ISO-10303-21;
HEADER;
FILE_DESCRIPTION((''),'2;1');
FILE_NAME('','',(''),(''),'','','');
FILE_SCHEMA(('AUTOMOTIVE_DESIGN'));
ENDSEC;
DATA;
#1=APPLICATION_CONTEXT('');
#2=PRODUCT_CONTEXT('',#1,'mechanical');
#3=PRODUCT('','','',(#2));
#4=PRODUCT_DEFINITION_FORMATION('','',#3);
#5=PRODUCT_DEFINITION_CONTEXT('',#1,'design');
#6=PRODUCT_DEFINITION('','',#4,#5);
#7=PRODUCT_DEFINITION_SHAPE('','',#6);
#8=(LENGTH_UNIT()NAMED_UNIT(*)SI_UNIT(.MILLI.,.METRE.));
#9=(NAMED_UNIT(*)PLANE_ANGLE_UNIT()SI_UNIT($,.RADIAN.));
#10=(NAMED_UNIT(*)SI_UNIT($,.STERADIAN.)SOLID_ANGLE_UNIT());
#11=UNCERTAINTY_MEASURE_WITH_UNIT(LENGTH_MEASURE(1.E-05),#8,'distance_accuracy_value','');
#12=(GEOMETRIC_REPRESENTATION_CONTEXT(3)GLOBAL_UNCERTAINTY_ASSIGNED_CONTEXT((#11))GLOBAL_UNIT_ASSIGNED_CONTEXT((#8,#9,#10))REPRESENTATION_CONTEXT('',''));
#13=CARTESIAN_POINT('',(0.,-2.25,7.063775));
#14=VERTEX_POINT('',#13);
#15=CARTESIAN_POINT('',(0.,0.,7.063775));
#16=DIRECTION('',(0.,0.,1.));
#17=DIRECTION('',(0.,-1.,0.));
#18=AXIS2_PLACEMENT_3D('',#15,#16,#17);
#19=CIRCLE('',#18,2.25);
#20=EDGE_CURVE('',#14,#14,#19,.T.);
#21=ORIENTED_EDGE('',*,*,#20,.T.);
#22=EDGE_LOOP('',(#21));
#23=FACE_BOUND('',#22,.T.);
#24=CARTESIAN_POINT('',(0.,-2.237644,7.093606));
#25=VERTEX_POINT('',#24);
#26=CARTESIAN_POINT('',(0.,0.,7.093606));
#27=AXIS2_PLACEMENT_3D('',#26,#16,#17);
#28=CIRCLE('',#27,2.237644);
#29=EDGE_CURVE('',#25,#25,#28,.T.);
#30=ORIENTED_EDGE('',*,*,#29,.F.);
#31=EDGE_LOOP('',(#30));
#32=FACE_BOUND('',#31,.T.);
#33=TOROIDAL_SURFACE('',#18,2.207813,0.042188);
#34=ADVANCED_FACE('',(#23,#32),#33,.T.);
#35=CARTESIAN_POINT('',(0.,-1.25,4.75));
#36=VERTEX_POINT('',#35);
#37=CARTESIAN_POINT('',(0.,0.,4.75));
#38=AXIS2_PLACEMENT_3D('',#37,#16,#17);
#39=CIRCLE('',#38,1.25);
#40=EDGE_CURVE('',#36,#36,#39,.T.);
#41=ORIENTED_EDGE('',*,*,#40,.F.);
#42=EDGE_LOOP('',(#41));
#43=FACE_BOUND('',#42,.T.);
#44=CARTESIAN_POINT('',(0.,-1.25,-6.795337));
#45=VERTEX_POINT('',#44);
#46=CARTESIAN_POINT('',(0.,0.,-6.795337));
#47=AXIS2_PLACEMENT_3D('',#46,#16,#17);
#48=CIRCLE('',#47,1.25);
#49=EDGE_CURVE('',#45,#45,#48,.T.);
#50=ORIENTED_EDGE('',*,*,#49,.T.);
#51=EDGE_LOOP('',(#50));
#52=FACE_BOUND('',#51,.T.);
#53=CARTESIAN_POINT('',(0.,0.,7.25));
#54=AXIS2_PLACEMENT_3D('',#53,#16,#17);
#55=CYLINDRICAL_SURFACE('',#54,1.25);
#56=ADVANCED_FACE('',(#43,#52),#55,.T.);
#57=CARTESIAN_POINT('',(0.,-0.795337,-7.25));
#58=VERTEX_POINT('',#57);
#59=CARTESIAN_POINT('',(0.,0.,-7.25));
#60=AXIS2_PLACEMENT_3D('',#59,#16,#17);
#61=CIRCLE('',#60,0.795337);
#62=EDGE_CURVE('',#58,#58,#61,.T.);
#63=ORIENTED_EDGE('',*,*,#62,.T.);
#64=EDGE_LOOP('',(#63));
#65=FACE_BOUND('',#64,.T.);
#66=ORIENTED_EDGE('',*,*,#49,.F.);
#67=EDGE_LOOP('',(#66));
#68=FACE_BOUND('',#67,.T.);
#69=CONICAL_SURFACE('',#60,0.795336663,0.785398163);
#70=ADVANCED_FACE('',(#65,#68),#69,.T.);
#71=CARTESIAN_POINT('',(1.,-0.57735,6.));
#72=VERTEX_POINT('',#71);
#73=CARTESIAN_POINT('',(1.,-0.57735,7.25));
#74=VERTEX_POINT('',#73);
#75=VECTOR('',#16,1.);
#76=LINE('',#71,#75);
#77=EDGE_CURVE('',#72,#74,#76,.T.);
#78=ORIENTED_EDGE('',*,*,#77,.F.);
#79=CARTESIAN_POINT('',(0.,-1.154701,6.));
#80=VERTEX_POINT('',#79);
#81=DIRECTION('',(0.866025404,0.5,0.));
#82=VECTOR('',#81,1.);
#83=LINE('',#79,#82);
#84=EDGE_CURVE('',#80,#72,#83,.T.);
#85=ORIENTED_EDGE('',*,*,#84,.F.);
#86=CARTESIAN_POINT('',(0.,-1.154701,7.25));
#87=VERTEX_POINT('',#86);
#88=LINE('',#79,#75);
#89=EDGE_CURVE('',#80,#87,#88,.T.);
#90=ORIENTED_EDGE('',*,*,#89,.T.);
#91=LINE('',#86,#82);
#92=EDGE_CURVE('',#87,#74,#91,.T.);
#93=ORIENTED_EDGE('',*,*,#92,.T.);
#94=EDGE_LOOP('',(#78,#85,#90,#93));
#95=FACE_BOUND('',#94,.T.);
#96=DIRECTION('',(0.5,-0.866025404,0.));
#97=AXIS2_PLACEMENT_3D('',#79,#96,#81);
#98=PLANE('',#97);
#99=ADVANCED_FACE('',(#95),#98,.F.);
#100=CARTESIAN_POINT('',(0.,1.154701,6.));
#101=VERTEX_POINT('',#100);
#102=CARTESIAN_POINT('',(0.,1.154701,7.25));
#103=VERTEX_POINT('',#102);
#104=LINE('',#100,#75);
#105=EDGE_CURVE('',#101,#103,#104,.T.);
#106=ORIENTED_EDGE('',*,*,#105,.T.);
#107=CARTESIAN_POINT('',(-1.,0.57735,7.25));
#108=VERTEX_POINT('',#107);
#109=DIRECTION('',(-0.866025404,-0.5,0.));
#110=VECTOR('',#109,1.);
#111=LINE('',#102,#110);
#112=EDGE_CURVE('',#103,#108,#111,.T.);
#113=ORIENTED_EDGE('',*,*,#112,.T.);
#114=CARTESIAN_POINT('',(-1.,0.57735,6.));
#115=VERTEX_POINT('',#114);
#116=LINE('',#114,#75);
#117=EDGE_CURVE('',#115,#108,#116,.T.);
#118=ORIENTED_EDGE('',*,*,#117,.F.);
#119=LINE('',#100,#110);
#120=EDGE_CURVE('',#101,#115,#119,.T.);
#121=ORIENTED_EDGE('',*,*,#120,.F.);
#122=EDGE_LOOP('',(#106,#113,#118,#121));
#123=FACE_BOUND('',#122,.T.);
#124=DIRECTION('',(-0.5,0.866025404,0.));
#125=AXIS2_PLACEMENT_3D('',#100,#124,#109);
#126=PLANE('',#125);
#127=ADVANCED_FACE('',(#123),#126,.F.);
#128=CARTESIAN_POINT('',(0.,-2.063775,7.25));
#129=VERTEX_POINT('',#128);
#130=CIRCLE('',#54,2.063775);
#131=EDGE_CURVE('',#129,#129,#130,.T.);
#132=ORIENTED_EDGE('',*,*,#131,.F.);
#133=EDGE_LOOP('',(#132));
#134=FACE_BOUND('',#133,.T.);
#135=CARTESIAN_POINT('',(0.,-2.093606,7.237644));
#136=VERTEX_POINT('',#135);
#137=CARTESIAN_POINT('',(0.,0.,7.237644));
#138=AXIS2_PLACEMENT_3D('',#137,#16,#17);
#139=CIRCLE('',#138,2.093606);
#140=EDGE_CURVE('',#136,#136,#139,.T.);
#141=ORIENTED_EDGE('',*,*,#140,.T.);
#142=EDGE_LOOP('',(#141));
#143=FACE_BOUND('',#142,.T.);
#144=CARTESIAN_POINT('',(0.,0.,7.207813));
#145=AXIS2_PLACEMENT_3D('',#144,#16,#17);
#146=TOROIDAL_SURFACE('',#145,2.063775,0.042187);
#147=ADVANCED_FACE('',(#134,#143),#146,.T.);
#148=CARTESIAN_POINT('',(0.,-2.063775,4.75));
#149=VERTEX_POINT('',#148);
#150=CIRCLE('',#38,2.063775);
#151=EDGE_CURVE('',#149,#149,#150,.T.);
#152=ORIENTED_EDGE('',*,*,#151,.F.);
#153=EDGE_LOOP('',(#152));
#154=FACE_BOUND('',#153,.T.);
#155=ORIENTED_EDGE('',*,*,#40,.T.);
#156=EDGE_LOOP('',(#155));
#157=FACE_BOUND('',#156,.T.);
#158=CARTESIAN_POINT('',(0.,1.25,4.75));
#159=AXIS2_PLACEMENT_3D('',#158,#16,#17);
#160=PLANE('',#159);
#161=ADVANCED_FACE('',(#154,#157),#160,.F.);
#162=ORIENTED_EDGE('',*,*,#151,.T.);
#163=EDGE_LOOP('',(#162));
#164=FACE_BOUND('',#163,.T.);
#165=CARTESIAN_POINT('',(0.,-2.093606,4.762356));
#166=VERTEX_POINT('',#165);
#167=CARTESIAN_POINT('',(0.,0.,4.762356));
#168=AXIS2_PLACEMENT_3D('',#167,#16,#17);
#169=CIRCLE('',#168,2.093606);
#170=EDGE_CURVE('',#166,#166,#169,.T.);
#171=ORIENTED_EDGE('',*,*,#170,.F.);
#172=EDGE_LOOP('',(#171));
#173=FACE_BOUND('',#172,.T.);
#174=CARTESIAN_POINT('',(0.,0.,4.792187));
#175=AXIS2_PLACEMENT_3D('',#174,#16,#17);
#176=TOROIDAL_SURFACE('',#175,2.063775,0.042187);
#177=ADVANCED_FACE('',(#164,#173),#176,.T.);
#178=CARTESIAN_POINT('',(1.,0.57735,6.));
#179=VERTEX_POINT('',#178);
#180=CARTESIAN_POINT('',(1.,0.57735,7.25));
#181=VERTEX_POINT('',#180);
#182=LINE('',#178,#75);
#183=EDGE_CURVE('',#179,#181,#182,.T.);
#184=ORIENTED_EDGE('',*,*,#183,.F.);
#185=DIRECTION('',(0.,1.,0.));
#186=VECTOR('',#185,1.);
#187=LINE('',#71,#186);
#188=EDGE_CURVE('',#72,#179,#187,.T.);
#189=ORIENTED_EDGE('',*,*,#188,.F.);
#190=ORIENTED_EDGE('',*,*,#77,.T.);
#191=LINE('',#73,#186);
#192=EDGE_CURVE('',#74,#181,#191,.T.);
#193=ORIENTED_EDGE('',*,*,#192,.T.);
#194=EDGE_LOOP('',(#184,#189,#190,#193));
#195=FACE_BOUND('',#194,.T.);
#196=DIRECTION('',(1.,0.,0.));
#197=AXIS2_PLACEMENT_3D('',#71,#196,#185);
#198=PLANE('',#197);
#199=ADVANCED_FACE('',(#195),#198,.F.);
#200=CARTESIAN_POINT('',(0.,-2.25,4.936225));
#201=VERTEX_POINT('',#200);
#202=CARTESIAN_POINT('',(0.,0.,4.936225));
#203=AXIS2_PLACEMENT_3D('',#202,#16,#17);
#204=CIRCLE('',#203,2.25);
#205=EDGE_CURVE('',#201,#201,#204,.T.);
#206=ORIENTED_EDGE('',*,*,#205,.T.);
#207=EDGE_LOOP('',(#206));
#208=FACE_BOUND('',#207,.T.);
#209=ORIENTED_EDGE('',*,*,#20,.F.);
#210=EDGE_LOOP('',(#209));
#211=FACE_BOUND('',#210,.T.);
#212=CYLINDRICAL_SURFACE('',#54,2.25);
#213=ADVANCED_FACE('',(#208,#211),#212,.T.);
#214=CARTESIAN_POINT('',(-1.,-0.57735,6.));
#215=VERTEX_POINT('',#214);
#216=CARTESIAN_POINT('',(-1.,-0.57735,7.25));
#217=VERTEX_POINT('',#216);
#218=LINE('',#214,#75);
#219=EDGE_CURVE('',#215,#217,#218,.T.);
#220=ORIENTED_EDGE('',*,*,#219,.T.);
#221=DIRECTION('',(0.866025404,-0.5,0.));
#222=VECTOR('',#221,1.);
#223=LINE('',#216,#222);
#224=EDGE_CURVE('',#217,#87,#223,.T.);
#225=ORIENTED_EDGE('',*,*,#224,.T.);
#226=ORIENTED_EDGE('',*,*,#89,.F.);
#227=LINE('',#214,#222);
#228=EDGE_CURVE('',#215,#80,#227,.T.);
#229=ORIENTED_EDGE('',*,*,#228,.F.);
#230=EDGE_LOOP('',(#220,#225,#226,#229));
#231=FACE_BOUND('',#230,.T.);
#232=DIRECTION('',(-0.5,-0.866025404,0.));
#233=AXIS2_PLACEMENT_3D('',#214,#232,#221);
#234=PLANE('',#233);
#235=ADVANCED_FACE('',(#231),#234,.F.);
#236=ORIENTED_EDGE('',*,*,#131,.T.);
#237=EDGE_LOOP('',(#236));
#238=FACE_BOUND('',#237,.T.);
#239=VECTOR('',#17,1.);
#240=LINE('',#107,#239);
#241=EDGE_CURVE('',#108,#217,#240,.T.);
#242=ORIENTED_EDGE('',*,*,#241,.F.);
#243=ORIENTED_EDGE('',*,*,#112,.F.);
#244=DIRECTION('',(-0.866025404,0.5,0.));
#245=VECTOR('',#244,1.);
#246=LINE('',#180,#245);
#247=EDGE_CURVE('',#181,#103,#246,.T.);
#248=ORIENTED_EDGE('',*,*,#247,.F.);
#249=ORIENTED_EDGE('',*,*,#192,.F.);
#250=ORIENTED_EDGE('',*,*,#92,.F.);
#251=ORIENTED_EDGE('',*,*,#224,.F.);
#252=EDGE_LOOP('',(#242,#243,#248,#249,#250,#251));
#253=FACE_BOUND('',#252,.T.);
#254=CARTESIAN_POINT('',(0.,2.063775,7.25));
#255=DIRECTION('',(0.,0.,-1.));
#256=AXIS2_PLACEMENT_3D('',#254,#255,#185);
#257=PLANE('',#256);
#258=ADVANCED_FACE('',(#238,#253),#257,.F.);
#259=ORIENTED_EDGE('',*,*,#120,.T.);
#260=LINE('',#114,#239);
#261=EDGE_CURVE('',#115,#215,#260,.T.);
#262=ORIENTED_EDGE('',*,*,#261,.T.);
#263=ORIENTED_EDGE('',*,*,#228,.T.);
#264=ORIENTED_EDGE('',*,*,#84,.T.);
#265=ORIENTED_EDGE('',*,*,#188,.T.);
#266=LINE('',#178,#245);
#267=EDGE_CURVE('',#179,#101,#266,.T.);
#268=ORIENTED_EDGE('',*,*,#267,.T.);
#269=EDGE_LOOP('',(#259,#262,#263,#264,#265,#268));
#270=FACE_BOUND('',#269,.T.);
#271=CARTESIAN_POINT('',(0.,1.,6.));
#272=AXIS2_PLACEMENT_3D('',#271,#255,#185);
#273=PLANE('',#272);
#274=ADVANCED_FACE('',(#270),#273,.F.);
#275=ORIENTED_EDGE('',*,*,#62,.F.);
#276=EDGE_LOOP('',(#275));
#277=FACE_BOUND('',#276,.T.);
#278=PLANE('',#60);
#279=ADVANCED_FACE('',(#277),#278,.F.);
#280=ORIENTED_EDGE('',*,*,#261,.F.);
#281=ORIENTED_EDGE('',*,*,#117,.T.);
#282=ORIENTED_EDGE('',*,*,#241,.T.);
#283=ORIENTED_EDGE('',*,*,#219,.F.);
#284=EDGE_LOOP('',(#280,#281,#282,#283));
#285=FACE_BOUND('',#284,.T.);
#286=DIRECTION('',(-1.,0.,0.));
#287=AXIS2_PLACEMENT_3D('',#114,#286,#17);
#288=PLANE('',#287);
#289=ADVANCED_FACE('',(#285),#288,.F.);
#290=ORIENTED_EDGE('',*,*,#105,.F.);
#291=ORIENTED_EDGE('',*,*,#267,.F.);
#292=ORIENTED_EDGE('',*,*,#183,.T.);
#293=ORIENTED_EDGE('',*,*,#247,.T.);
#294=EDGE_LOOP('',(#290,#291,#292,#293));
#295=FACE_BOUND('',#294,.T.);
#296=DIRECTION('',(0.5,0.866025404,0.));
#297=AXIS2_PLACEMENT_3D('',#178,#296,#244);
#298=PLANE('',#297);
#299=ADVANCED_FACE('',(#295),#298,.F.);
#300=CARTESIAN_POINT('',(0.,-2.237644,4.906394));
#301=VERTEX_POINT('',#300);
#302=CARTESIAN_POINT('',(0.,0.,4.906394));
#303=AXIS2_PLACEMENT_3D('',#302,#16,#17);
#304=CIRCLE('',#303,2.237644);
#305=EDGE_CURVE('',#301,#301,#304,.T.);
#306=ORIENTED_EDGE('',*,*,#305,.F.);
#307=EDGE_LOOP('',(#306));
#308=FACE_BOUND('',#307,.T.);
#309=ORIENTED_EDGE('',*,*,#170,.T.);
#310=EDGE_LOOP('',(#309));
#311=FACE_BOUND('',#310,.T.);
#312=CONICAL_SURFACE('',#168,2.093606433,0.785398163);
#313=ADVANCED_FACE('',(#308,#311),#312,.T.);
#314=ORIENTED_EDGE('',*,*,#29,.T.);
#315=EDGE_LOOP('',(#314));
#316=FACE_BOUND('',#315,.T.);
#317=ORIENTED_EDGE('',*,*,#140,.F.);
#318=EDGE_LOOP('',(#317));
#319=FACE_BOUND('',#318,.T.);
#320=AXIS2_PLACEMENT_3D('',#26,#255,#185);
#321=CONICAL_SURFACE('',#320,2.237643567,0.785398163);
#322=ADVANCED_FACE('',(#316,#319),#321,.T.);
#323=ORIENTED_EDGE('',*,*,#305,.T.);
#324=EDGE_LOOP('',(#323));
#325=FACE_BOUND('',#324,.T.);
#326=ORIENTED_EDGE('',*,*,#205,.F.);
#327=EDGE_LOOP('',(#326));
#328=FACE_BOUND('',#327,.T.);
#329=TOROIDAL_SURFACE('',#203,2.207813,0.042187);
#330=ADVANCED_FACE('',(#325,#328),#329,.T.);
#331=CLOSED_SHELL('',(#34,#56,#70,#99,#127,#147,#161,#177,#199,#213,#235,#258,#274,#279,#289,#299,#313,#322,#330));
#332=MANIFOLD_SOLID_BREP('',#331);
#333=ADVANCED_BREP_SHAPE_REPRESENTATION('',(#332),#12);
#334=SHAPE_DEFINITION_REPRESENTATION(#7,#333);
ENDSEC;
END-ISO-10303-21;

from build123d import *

# Parameters (mm, degrees)
CUT_EXTRUDE1_DEPTH = 1.25


with BuildPart() as part:
    # Sketch3 → Revolve1 (revolve)
    with BuildSketch(Plane(origin=(0, 0, 0), x_dir=(0, 0, -1), z_dir=(1, 0, 0)), mode=Mode.PRIVATE) as revolve1_sk:
        with BuildLine():
            Line((-7.25, 2.063775365), (-7.25, 1))
            Line((-7.25, 1), (-6, 1))
            Line((-6, 1), (-6, 0))
            Line((-6, 0), (7.25, 0))
            Line((7.25, 0), (7.25, 0.795336663))
            Line((7.25, 0.795336663), (6.795336663, 1.25))
            Line((6.795336663, 1.25), (-4.75, 1.25))
            Line((-4.75, 1.25), (-4.75, 2.063775365))
            ThreePointArc((-4.75, 2.063775365), (-4.753211332, 2.079919823), (-4.762356433, 2.093606433))
            Line((-4.762356433, 2.093606433), (-4.906393567, 2.237643567))
            ThreePointArc((-4.906393567, 2.237643567), (-4.920080177, 2.246788668), (-4.936224635, 2.25))
            Line((-4.936224635, 2.25), (-7.063775365, 2.25))
            ThreePointArc((-7.063775365, 2.25), (-7.079919823, 2.246788668), (-7.093606433, 2.237643567))
            Line((-7.093606433, 2.237643567), (-7.237643567, 2.093606433))
            ThreePointArc((-7.237643567, 2.093606433), (-7.246788668, 2.079919823), (-7.25, 2.063775365))
        make_face()
    revolve(revolve1_sk.sketch.rotate(Axis((0, 0, 7.25), (0, 0, -1)), 180), axis=Axis((0, 0, 7.25), (0, 0, -1)))

    # Sketch4 → Cut-Extrude1 (cut)
    with BuildSketch(Plane.XY.offset(7.25)):
        Polygon((0, 1.154700538), (-1, 0.577350269), (-1, -0.577350269), (0, -1.154700538), (1, -0.577350269), (1, 0.577350269), align=None)
    extrude(amount=-CUT_EXTRUDE1_DEPTH, mode=Mode.SUBTRACT)


solid = part.part
